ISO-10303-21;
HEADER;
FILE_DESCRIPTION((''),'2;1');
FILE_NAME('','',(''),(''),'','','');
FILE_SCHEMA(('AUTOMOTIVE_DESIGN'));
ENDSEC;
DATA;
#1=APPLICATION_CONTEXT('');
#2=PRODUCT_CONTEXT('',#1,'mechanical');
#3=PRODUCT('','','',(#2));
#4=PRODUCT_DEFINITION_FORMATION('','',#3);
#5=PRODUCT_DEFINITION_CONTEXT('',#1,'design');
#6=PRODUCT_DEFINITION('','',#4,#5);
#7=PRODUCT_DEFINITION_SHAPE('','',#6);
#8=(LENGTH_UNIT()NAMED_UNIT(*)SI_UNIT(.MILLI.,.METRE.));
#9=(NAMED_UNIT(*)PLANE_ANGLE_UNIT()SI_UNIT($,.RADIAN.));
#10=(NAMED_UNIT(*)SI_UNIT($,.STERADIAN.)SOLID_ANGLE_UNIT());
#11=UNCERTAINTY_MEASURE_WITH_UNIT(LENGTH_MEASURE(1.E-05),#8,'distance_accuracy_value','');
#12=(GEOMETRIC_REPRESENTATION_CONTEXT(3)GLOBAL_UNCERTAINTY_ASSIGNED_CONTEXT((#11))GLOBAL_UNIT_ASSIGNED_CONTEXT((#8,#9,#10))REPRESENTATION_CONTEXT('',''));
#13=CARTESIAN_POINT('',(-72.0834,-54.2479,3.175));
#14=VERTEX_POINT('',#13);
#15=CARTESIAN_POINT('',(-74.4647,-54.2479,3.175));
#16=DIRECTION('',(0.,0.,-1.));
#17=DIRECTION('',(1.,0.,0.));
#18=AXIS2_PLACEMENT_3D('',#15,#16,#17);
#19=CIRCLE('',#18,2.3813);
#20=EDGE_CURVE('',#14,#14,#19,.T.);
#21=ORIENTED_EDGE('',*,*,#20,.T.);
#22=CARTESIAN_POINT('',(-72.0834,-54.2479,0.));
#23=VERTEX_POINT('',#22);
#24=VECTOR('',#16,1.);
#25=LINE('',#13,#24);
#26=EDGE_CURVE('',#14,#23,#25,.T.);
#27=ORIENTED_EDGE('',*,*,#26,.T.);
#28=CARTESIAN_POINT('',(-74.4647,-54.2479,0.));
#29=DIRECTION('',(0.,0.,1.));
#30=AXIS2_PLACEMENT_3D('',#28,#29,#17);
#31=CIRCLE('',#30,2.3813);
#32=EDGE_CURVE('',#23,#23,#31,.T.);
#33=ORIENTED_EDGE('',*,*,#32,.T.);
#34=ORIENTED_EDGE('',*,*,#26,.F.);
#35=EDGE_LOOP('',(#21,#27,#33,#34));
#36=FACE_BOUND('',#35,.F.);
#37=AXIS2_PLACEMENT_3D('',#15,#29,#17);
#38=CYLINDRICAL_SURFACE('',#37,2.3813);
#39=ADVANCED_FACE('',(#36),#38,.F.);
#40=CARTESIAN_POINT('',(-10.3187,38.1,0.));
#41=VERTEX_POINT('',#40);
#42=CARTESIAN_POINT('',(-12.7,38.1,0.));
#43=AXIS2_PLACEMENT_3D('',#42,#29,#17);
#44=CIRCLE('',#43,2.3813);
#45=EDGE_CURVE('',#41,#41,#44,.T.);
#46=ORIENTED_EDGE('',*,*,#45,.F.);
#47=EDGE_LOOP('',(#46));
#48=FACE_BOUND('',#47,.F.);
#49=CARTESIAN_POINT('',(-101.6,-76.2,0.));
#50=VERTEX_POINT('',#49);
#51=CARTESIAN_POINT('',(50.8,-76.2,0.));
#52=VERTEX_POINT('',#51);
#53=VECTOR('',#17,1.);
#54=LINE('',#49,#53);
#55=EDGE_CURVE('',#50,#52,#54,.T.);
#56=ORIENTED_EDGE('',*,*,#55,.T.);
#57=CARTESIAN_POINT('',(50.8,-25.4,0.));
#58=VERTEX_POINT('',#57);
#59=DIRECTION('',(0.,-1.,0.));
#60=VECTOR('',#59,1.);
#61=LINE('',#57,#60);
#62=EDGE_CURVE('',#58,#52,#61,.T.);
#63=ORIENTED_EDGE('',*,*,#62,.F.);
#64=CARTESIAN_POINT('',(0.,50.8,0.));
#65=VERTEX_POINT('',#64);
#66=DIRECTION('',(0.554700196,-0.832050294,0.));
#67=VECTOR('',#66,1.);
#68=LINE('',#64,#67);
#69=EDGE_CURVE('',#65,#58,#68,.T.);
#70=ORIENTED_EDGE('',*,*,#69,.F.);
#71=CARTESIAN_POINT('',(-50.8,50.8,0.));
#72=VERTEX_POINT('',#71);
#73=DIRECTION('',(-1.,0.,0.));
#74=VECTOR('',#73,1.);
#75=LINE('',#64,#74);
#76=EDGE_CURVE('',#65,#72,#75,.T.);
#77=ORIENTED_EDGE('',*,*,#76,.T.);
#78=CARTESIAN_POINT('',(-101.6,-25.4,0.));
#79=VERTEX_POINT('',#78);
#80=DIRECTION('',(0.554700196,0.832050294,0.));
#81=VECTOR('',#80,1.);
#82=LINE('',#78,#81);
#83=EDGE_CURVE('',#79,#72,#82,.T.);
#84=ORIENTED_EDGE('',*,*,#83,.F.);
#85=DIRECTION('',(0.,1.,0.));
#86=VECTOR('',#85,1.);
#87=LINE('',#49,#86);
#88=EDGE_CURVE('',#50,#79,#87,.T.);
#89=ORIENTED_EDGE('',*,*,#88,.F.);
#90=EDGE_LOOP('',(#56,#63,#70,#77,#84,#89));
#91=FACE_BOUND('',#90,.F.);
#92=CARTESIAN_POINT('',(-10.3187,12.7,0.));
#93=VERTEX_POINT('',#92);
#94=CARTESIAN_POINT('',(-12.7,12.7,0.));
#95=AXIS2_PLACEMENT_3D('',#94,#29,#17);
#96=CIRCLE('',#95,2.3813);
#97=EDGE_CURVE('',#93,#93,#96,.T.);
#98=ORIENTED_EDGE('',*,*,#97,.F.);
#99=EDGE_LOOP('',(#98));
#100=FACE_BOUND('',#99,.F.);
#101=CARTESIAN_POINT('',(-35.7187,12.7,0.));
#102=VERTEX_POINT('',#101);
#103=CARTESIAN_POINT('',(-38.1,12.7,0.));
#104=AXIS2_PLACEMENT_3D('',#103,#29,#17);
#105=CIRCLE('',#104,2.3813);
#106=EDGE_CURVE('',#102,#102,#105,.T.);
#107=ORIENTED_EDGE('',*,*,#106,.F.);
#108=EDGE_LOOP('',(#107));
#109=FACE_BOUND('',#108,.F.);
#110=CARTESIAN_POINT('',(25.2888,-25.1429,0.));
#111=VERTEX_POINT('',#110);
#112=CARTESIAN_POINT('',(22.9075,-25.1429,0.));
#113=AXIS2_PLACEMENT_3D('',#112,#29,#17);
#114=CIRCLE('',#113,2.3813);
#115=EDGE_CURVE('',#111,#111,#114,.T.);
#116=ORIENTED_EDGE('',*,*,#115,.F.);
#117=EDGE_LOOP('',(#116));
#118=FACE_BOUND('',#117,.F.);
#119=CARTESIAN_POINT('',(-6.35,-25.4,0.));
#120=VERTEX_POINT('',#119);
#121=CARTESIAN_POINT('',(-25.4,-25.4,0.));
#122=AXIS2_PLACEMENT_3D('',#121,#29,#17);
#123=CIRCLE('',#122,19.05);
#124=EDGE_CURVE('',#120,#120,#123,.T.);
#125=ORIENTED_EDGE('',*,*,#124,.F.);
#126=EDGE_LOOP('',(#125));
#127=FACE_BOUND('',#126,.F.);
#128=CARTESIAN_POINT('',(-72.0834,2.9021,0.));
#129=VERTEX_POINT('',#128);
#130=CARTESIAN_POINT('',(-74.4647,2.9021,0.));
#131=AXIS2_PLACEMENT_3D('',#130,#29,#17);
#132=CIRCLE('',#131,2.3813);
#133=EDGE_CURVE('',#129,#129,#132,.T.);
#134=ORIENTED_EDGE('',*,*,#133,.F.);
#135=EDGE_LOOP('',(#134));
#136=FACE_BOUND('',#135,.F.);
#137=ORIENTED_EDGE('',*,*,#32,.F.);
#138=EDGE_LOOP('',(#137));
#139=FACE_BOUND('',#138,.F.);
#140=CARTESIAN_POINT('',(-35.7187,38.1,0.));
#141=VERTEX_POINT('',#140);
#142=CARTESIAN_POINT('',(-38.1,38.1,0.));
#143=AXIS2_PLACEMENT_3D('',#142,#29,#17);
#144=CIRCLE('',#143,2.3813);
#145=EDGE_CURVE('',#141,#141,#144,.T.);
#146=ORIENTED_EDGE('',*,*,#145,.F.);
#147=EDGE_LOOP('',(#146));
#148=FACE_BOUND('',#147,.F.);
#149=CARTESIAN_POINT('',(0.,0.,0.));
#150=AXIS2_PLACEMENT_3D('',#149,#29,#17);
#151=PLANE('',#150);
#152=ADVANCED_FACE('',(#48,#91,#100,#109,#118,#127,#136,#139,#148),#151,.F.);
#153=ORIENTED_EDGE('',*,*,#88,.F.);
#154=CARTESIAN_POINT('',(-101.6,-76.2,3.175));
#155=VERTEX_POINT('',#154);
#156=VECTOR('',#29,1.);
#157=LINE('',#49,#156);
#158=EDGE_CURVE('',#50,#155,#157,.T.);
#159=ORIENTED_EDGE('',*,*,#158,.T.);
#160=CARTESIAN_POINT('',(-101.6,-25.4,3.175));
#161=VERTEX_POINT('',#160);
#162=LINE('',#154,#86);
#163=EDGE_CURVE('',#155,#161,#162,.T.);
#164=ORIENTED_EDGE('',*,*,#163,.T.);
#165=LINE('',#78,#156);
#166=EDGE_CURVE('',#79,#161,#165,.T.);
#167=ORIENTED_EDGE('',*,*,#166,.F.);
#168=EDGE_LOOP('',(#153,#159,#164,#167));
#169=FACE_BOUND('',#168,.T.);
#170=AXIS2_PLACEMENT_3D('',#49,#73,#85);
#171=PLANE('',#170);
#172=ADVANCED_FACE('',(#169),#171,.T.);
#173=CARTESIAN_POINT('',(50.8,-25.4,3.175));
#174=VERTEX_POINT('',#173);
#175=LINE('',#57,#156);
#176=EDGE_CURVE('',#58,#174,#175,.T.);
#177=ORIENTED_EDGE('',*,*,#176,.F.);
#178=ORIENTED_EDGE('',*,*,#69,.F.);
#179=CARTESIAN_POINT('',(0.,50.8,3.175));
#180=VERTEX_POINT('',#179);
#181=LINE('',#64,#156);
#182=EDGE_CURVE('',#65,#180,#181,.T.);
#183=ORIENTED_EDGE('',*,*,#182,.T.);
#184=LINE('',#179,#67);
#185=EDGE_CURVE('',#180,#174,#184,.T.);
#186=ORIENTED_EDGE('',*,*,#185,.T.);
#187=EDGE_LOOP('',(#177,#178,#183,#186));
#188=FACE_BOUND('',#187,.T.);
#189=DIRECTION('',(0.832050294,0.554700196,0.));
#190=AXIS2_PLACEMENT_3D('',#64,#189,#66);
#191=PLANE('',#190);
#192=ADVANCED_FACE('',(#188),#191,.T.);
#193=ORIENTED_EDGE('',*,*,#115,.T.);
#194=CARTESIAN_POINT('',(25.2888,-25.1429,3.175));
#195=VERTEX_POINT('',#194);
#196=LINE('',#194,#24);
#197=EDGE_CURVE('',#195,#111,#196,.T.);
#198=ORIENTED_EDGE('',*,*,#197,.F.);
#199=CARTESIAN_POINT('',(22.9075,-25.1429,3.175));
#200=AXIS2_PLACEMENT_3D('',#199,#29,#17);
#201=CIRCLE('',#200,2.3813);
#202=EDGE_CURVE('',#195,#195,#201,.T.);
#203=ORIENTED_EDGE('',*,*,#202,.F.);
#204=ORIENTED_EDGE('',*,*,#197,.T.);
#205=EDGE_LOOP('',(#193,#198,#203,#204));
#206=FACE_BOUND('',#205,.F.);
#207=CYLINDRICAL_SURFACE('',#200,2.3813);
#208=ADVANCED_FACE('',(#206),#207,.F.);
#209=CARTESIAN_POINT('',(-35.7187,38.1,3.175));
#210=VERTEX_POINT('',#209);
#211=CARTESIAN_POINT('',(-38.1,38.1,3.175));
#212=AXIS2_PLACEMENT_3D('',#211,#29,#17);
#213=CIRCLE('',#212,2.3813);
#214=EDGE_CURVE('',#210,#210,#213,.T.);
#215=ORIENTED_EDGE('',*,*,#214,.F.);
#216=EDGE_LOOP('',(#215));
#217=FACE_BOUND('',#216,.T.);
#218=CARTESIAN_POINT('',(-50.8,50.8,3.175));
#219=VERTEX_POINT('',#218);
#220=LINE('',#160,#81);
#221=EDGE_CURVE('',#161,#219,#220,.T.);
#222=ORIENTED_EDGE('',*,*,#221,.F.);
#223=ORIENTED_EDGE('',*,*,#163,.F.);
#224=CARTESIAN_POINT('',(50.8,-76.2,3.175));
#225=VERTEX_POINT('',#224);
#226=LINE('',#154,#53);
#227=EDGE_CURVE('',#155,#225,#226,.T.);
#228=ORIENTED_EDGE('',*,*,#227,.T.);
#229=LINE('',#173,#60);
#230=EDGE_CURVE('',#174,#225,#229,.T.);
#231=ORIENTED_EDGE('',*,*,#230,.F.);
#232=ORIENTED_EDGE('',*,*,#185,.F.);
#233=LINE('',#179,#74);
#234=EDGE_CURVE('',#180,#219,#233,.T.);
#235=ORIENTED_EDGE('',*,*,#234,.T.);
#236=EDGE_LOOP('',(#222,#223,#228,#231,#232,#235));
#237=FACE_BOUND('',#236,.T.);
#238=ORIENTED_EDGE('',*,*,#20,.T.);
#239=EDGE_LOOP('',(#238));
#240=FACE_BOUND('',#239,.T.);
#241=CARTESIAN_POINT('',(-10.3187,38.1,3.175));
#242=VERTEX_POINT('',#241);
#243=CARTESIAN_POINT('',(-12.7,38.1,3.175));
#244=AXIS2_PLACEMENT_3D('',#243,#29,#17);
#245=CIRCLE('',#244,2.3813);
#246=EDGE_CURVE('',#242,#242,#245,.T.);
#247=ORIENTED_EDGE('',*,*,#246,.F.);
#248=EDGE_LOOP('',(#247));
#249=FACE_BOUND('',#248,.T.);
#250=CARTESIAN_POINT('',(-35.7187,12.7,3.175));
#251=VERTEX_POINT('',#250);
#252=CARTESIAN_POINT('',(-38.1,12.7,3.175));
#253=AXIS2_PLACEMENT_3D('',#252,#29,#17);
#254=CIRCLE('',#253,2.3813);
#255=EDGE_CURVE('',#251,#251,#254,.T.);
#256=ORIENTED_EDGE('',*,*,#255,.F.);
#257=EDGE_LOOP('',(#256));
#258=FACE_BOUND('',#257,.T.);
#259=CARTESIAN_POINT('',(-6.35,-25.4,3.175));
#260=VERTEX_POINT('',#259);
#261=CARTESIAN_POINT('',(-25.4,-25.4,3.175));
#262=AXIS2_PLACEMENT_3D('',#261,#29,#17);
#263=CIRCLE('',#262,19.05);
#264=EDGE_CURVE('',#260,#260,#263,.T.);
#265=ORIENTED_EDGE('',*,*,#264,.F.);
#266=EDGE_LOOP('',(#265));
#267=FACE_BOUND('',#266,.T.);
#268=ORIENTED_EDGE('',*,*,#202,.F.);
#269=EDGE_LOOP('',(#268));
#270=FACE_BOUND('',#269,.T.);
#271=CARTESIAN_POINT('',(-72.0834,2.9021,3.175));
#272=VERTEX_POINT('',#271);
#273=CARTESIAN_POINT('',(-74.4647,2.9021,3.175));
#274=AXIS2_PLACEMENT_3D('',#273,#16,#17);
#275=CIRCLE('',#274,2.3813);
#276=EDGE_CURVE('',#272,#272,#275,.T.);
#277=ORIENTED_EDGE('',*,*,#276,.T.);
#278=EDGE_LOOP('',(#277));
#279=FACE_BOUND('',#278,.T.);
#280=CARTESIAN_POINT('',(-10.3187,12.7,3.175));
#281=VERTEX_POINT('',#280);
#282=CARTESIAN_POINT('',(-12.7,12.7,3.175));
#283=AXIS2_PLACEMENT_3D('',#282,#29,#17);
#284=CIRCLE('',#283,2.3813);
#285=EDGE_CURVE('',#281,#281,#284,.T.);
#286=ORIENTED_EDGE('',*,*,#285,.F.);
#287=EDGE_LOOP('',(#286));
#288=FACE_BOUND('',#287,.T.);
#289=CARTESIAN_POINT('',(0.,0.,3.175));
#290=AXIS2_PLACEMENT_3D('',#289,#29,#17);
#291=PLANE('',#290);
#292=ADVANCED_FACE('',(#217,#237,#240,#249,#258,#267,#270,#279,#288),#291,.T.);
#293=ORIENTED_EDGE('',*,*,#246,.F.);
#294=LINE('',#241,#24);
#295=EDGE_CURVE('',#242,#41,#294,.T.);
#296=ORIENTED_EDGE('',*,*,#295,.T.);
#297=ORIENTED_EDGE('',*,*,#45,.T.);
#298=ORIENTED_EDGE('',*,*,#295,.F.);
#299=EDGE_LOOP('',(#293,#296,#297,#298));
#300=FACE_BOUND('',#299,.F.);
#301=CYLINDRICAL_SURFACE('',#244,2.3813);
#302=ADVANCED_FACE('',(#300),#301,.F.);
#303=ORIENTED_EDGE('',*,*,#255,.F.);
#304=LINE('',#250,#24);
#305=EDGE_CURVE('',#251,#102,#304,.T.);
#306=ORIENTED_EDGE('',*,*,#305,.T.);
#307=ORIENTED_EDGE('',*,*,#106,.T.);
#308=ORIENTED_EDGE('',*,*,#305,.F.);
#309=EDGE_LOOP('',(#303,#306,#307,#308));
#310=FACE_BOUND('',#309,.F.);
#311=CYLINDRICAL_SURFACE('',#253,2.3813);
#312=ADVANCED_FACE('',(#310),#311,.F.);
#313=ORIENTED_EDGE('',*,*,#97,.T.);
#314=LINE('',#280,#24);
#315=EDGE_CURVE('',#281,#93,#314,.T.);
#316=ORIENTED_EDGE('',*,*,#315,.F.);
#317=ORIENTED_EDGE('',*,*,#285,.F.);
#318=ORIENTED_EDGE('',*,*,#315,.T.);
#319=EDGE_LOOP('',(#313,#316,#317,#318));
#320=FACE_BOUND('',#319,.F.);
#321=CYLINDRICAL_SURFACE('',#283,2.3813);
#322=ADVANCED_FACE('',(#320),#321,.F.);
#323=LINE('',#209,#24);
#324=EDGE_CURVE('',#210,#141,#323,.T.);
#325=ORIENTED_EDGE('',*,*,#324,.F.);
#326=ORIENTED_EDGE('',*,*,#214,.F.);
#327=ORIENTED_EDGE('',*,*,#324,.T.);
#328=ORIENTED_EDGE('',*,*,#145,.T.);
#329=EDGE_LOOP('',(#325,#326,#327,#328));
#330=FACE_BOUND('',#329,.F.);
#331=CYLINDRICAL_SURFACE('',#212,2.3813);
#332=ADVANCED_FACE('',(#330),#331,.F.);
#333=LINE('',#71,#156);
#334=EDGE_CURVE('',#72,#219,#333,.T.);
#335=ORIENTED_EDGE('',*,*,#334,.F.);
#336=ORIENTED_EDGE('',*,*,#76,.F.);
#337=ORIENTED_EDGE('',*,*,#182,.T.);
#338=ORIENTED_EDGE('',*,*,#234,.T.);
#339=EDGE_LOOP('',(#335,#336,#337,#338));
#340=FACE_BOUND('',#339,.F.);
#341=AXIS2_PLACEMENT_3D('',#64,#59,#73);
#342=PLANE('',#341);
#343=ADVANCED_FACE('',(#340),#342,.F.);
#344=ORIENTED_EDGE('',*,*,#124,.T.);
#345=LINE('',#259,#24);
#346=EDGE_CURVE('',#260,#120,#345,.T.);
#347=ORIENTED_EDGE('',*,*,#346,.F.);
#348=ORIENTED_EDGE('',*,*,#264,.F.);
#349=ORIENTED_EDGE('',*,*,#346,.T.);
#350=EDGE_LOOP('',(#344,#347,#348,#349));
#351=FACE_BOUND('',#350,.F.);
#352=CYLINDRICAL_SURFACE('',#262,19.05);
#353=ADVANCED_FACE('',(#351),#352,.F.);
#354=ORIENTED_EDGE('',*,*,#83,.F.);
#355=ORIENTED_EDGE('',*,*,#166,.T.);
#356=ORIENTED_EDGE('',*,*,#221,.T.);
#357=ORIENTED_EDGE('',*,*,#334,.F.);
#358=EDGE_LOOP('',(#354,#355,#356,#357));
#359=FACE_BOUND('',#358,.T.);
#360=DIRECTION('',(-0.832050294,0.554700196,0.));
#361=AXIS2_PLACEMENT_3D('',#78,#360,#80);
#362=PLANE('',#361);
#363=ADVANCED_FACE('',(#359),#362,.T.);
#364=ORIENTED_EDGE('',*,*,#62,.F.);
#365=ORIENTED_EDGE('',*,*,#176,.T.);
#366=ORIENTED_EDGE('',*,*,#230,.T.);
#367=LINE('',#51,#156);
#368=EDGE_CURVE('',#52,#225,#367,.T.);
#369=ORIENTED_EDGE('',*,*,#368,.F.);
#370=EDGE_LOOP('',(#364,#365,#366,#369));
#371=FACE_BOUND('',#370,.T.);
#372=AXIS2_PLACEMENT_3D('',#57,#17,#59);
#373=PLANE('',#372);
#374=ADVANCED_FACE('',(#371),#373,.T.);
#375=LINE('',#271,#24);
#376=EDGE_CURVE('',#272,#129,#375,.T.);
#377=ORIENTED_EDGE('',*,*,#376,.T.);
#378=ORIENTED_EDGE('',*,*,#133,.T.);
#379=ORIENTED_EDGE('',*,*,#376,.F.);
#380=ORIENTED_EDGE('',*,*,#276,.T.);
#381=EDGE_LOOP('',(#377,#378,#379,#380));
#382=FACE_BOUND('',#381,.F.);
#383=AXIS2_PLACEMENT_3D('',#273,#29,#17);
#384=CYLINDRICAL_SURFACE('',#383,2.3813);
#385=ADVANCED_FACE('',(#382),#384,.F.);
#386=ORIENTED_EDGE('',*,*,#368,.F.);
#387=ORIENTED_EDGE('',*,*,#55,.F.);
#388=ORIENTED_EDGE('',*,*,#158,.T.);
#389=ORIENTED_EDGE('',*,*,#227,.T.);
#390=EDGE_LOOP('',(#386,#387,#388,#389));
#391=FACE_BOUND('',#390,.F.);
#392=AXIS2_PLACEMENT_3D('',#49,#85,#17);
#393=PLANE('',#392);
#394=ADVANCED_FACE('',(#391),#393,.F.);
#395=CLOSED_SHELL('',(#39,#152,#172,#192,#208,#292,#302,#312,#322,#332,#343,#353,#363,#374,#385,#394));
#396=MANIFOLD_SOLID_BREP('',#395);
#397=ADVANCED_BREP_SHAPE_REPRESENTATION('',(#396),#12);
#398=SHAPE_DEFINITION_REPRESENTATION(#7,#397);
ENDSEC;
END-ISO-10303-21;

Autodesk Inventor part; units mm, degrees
ref_plane "YZ Plane" through (0, 0, 0) normal (1, 0, 0) x (0, 1, 0)
ref_plane "XZ Plane" through (0, 0, 0) normal (0, 1, 0) x (-1, 0, 0)
ref_plane "XY Plane" through (0, 0, 0) normal (0, 0, 1) x (1, 0, 0)
sketch "Sketch1" plane through (0, 0, 0) normal (0, 0, 1) x (1, 0, 0)
  line L0 (0, 50.8) -> (-50.8, 50.8)
  line L1 (-101.6, -76.2) -> (50.8, -76.2)
  line L2 (0, 0) -> (0, 50.8) construction
  line L3 (-101.6, -76.2) -> (-101.6, -25.4)
  line L4 (-101.6, -25.4) -> (-50.8, 50.8)
  line L5 (0, 50.8) -> (50.8, -25.4)
  line L6 (50.8, -25.4) -> (50.8, -76.2)
  dimension "d0" = 50.8
  dimension "d3" = 50.8
  dimension "d17" = 127
  dimension "d18" = 50.8
  dimension "d26" = 152.4
extrude "Extrusion1" add sketch "Sketch1" along normal blind 3.175
sketch "Sketch2" plane through (0, 0, 3.175) normal (0, 0, 1) x (1, 0, 0)
  line L0 (-50.8, 50.8) -> (0, 50.8) projected
  line L1 (-50.8, -76.2) -> (-50.8, 50.8) projected
  circle A0 centre (-38.1, 38.1) radius 2.3813
  circle A1 centre (-12.7, 38.1) radius 2.3813
  circle A2 centre (-38.1, 12.7) radius 2.3813
  circle A3 centre (-12.7, 12.7) radius 2.3813
  line L2 (-38.1, 38.1) -> (-12.7, 38.1) construction
  line L3 (-12.7, 38.1) -> (-12.7, 12.7) construction
  line L4 (-12.7, 12.7) -> (-38.1, 12.7) construction
  line L5 (-38.1, 12.7) -> (-38.1, 38.1) construction
  point P0 (-101.6, -76.2)
  point P1 (0, 0)
  dimension "d6" = 4.7625
  dimension "d7" = 12.7
  dimension "d8" = 25.4
  dimension "d9" = 12.7
  dimension "d10" = 25.4
extrude "Extrusion2" cut sketch "Sketch2" against normal up to next
sketch "Sketch3" plane through (0, 0, 3.175) normal (0, 0, 1) x (1, 0, 0)
  circle A0 centre (-25.4, -25.4) radius 19.05
  point P0 (0, 0)
  dimension "d13" = 25.4
  dimension "d14" = 38.1
extrude "Extrusion3" cut sketch "Sketch3" against normal up to next
sketch "Sketch4" plane through (0, 0, 3.175) normal (0, 0, 1) x (1, 0, 0)
  circle A0 centre (-74.4647, 2.9021) radius 2.3813
  circle A1 centre (-74.4647, -54.2479) radius 2.3813
  circle A2 centre (22.9075, -25.1429) radius 2.3813
  line L0 (-74.4647, 2.9021) -> (-74.4647, -54.2479)
  point P0 (0, 0)
  dimension "d20" = 4.7625
  dimension "d23" = 57.15
extrude "Extrusion4" cut sketch "Sketch4" against normal up to next
properties part number "Plate_PictureMountPlate"
